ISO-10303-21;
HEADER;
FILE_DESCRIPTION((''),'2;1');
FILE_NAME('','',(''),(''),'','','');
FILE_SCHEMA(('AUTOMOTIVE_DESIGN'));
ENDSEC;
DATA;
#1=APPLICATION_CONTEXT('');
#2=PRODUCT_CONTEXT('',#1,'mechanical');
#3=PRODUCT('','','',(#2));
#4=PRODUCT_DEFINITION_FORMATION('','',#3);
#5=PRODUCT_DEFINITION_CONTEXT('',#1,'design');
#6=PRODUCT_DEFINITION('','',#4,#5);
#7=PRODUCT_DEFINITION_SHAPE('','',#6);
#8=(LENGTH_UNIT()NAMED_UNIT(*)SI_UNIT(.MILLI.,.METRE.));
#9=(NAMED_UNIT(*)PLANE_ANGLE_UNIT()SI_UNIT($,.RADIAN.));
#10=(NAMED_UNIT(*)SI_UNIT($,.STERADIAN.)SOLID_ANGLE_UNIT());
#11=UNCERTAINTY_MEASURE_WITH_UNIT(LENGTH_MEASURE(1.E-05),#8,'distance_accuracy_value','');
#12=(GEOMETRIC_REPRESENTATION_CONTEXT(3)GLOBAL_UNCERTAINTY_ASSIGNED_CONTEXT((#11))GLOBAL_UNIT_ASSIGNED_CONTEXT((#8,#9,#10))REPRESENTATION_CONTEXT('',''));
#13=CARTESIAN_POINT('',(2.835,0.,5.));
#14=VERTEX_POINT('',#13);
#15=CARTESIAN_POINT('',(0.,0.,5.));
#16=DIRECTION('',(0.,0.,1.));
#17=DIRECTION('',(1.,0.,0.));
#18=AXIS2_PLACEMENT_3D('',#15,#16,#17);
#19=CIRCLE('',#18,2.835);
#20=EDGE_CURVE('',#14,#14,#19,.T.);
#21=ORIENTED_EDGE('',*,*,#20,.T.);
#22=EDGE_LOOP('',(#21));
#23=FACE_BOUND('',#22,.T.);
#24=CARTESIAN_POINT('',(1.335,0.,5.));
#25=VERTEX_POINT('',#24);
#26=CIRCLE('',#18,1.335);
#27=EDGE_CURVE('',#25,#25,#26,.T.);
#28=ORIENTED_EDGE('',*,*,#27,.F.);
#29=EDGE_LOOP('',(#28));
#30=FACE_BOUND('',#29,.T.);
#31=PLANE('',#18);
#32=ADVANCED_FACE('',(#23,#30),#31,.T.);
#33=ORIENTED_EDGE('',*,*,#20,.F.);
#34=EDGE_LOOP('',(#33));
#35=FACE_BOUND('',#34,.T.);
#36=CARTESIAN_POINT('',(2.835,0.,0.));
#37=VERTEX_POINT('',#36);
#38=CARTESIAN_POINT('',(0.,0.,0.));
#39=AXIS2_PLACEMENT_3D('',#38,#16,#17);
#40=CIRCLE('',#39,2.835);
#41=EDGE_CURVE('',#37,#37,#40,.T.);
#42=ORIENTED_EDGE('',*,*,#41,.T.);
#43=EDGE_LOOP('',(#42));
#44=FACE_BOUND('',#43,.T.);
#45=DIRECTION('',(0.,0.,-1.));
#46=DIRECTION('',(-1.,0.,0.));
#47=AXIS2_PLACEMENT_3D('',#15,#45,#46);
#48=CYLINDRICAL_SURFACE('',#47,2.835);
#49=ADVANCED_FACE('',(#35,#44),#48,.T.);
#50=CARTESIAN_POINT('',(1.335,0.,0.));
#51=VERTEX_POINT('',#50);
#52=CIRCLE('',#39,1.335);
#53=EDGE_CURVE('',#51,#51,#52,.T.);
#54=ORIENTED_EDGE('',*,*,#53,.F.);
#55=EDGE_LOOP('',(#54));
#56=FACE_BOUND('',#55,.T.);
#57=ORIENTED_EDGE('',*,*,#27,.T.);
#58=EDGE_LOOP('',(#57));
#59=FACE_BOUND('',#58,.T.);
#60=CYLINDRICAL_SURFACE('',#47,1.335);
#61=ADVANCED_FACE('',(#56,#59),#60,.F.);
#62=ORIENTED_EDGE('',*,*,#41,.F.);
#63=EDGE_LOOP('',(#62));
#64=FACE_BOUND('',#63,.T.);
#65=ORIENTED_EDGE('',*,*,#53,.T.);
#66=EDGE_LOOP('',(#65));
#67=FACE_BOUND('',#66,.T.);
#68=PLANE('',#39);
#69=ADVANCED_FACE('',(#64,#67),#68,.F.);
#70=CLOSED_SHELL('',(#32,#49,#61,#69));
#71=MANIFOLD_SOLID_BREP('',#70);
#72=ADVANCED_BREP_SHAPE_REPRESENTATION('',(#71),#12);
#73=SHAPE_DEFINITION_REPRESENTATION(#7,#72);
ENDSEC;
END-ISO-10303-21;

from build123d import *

# Parameters (mm, degrees)
SKETCH1_R           = 2.835
SKETCH1_R_2         = 1.335
BOSS_EXTRUDE1_DEPTH = 5


with BuildPart() as part:
    # Sketch1 → Boss-Extrude1 (new body)
    with BuildSketch(Plane.XY):
        Circle(SKETCH1_R)
        Circle(SKETCH1_R_2, mode=Mode.SUBTRACT)
    extrude(amount=BOSS_EXTRUDE1_DEPTH)


solid = part.part
